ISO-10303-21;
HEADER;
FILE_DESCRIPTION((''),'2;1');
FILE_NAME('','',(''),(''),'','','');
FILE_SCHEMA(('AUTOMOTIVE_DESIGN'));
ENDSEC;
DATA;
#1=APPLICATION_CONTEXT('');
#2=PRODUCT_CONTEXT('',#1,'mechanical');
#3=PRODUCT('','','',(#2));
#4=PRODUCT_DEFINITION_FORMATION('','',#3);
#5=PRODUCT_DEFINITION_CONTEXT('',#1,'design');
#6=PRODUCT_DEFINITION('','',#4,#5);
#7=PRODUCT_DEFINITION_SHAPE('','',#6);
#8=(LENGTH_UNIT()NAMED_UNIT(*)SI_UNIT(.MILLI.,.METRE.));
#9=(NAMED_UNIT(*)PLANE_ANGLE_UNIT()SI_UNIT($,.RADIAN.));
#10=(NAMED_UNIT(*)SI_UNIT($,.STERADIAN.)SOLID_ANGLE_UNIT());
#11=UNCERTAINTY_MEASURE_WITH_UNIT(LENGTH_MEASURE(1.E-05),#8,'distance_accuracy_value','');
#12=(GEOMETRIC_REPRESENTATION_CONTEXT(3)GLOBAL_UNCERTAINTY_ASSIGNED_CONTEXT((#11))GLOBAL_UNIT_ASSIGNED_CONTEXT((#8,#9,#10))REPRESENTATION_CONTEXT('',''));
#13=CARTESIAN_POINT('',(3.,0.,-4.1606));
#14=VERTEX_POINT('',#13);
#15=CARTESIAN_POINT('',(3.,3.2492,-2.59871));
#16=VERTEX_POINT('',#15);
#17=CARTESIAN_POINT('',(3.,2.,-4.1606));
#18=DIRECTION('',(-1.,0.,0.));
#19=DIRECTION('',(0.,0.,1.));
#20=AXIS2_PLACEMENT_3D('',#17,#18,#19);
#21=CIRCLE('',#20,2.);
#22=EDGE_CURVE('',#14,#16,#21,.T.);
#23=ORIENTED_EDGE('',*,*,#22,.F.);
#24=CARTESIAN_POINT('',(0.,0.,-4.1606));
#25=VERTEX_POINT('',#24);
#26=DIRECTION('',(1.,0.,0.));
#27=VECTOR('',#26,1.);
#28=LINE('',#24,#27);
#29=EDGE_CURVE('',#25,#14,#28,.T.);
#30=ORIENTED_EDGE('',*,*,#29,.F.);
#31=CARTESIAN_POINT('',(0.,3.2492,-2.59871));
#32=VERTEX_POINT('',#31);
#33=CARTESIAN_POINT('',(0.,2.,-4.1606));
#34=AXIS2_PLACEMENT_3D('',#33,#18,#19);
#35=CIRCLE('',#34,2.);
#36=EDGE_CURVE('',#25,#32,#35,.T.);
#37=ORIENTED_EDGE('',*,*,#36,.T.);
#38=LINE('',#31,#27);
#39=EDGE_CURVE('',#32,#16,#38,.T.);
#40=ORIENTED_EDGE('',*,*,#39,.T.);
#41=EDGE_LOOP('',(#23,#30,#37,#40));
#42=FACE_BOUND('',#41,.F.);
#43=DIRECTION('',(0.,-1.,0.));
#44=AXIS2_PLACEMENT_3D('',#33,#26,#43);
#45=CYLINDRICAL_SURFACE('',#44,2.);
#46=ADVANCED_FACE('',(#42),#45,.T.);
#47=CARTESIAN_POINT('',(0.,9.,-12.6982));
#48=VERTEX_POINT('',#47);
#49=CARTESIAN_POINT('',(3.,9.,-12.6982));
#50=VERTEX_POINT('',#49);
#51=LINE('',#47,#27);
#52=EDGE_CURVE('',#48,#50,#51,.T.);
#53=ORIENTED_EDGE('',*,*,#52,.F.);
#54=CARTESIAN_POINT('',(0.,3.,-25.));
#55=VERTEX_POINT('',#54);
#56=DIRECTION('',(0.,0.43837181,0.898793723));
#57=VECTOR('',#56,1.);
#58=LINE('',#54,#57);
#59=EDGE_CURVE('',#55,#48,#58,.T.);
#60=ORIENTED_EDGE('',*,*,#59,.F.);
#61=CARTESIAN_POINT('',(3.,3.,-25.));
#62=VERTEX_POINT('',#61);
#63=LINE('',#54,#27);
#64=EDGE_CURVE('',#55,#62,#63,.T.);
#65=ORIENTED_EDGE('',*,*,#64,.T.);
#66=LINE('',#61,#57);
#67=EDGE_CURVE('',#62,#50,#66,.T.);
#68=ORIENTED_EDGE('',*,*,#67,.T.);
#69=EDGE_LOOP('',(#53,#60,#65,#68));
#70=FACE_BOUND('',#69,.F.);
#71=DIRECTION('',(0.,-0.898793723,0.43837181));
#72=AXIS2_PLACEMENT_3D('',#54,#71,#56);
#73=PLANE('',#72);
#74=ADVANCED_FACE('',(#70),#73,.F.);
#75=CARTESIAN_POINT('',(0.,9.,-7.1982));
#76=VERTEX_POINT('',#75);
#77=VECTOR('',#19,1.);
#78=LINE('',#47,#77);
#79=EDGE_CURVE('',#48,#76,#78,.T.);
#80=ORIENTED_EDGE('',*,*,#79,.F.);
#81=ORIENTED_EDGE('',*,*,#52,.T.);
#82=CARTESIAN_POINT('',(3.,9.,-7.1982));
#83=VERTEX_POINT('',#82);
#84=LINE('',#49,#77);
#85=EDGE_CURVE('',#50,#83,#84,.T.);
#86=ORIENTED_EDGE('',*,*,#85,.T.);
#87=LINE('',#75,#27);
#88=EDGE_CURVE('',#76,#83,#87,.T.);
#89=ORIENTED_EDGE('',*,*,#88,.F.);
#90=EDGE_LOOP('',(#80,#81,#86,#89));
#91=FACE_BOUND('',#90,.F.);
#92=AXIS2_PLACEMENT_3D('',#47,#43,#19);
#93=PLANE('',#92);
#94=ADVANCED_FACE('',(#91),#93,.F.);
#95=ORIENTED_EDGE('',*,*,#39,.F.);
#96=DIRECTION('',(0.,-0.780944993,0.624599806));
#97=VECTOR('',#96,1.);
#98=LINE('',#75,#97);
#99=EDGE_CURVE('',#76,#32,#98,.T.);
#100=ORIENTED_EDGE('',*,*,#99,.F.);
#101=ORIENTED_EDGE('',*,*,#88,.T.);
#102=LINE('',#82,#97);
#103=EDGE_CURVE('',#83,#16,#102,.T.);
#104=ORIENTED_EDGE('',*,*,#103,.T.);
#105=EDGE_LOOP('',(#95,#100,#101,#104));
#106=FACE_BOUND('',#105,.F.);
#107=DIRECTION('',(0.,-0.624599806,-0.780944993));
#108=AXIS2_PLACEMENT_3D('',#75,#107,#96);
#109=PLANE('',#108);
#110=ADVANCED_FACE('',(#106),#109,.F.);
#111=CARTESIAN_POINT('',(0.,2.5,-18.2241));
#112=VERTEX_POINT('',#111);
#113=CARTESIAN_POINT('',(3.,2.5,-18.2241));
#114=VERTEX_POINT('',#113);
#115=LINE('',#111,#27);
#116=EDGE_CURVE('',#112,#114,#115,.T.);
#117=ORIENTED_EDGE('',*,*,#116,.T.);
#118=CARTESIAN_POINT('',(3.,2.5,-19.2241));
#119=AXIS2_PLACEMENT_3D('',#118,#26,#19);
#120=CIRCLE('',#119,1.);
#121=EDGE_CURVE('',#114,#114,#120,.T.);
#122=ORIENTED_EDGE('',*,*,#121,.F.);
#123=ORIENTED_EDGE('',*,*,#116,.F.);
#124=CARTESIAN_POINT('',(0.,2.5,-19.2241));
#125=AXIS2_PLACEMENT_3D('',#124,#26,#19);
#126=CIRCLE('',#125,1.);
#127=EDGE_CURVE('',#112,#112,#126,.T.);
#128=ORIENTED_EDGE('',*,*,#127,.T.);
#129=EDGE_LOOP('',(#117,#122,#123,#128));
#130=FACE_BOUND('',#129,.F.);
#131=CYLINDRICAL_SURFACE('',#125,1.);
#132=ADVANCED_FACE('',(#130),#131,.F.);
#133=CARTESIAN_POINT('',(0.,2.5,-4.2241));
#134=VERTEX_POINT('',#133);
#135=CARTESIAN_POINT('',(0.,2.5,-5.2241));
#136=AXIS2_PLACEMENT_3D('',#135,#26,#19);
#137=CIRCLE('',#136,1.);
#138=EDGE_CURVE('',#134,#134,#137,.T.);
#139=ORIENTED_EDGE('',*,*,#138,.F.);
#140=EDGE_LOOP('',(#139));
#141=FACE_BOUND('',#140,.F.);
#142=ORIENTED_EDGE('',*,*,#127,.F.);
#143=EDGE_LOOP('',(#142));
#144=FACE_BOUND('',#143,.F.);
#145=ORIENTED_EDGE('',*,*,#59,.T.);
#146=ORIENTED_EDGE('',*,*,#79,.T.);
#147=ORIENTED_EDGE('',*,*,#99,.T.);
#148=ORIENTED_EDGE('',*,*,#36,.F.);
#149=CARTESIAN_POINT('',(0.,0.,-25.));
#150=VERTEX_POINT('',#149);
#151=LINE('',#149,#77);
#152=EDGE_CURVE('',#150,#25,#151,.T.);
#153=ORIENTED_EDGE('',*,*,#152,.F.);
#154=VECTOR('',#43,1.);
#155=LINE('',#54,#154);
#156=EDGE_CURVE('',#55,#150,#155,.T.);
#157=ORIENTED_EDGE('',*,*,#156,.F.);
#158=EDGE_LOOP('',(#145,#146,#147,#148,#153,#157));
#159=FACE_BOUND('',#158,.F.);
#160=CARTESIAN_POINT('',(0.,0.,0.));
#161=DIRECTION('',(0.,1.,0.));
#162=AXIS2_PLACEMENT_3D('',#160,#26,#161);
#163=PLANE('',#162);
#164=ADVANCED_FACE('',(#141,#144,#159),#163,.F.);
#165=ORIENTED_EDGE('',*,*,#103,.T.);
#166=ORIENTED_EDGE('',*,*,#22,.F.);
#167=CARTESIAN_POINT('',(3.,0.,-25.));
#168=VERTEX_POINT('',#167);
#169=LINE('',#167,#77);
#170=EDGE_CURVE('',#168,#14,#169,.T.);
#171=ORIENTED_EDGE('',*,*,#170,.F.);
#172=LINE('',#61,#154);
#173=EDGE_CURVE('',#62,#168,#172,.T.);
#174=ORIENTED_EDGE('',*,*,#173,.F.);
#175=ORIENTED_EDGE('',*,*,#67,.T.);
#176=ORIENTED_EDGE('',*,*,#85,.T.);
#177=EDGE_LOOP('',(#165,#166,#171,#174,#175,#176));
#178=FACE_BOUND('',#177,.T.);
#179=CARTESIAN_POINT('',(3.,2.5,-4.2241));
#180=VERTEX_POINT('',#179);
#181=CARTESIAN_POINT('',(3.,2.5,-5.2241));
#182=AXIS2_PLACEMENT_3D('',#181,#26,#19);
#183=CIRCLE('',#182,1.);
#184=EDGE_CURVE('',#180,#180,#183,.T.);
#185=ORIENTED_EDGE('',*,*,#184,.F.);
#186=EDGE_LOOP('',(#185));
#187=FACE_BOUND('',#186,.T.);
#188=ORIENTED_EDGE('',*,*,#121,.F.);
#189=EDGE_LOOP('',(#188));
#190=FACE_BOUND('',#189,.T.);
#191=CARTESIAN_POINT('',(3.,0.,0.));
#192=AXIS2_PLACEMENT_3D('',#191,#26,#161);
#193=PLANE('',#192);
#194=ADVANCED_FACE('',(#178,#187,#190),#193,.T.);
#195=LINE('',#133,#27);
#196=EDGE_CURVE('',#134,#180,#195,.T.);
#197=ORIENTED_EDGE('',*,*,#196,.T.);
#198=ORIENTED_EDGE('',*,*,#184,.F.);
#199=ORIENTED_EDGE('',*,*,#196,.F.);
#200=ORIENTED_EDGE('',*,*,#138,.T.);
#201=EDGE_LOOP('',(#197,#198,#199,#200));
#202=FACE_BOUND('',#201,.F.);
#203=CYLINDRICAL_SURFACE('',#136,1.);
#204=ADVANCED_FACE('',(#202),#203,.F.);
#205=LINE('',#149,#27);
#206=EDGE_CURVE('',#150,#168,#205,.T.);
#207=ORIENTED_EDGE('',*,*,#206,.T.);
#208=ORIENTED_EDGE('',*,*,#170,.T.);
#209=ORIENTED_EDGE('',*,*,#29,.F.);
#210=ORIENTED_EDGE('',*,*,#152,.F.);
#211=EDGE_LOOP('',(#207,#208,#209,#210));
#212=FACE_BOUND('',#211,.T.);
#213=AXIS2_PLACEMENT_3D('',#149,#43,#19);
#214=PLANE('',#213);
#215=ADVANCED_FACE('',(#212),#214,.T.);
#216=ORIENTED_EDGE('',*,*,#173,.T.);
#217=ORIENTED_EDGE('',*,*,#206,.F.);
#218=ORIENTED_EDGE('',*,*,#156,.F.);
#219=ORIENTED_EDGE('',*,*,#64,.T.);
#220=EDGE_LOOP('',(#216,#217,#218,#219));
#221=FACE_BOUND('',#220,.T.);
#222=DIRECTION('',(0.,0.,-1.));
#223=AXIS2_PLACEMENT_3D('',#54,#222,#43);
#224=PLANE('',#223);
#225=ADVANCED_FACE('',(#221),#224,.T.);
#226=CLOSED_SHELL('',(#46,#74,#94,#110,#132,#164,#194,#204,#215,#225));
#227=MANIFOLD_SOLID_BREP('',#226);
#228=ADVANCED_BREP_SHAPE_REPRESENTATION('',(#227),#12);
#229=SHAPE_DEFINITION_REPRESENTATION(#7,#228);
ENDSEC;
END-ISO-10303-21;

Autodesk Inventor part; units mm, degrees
ref_plane "YZ Plane" through (0, 0, 0) normal (1, 0, 0) x (0, 1, 0)
ref_plane "XZ Plane" through (0, 0, 0) normal (0, 1, 0) x (-1, 0, 0)
ref_plane "XY Plane" through (0, 0, 0) normal (0, 0, 1) x (1, 0, 0)
sketch "Base" plane through (0, 0, 0) normal (1, 0, 0) x (0, 1, 0)
  line L0 (3, -25) -> (0, -25)
  line L1 (3, -25) -> (9, -12.6982)
  line L2 (9, -12.6982) -> (9, -7.1982)
  line L3 (9, -7.1982) -> (0, 0)
  line L4 (0, -25) -> (0, 0)
  dimension "d0" = 9
  dimension "d2" = 26
  dimension "d3" = 25
  dimension "d4" = 3
  dimension "d24" = 5.5
extrude "BaseFeature" add sketch "Base" along normal blind 3
fillet "BaseFilletsFeature" radius 2 1 edges at (1.5, 0, 0)
sketch "BaseHoles" plane through (0, 0, 0) normal (-1, 0, 0) x (0, 0, 1)
  line L0 (-25, 2.5) -> (-2.2241, 2.5) construction
  line L1 (-2.5987, 3.2492) -> (-7.1982, 9) construction
  circle A0 centre (-19.2241, 2.5) radius 1.75
  circle A1 centre (-5.2241, 2.5) radius 1.75
  line L2 (-4.1606, 0) -> (-25, 0) projected
  arc A2 (-4.1606, 0) -> (-2.5987, 3.2492) centre (-4.1606, 2) ccw projected
  line L3 (-25, 0) -> (-25, 3) projected
  dimension "d9" = 3.5
  dimension "d12" = 3
  dimension "d23" = 14
  dimension "d25" = 2.5
hole "BaseHolesFeature" at (0, 2.5, -19.2241) at (0, 2.5, -5.2241) direction (1, 0, 0) diameter 2 end through all
properties part number "Knuckle"
